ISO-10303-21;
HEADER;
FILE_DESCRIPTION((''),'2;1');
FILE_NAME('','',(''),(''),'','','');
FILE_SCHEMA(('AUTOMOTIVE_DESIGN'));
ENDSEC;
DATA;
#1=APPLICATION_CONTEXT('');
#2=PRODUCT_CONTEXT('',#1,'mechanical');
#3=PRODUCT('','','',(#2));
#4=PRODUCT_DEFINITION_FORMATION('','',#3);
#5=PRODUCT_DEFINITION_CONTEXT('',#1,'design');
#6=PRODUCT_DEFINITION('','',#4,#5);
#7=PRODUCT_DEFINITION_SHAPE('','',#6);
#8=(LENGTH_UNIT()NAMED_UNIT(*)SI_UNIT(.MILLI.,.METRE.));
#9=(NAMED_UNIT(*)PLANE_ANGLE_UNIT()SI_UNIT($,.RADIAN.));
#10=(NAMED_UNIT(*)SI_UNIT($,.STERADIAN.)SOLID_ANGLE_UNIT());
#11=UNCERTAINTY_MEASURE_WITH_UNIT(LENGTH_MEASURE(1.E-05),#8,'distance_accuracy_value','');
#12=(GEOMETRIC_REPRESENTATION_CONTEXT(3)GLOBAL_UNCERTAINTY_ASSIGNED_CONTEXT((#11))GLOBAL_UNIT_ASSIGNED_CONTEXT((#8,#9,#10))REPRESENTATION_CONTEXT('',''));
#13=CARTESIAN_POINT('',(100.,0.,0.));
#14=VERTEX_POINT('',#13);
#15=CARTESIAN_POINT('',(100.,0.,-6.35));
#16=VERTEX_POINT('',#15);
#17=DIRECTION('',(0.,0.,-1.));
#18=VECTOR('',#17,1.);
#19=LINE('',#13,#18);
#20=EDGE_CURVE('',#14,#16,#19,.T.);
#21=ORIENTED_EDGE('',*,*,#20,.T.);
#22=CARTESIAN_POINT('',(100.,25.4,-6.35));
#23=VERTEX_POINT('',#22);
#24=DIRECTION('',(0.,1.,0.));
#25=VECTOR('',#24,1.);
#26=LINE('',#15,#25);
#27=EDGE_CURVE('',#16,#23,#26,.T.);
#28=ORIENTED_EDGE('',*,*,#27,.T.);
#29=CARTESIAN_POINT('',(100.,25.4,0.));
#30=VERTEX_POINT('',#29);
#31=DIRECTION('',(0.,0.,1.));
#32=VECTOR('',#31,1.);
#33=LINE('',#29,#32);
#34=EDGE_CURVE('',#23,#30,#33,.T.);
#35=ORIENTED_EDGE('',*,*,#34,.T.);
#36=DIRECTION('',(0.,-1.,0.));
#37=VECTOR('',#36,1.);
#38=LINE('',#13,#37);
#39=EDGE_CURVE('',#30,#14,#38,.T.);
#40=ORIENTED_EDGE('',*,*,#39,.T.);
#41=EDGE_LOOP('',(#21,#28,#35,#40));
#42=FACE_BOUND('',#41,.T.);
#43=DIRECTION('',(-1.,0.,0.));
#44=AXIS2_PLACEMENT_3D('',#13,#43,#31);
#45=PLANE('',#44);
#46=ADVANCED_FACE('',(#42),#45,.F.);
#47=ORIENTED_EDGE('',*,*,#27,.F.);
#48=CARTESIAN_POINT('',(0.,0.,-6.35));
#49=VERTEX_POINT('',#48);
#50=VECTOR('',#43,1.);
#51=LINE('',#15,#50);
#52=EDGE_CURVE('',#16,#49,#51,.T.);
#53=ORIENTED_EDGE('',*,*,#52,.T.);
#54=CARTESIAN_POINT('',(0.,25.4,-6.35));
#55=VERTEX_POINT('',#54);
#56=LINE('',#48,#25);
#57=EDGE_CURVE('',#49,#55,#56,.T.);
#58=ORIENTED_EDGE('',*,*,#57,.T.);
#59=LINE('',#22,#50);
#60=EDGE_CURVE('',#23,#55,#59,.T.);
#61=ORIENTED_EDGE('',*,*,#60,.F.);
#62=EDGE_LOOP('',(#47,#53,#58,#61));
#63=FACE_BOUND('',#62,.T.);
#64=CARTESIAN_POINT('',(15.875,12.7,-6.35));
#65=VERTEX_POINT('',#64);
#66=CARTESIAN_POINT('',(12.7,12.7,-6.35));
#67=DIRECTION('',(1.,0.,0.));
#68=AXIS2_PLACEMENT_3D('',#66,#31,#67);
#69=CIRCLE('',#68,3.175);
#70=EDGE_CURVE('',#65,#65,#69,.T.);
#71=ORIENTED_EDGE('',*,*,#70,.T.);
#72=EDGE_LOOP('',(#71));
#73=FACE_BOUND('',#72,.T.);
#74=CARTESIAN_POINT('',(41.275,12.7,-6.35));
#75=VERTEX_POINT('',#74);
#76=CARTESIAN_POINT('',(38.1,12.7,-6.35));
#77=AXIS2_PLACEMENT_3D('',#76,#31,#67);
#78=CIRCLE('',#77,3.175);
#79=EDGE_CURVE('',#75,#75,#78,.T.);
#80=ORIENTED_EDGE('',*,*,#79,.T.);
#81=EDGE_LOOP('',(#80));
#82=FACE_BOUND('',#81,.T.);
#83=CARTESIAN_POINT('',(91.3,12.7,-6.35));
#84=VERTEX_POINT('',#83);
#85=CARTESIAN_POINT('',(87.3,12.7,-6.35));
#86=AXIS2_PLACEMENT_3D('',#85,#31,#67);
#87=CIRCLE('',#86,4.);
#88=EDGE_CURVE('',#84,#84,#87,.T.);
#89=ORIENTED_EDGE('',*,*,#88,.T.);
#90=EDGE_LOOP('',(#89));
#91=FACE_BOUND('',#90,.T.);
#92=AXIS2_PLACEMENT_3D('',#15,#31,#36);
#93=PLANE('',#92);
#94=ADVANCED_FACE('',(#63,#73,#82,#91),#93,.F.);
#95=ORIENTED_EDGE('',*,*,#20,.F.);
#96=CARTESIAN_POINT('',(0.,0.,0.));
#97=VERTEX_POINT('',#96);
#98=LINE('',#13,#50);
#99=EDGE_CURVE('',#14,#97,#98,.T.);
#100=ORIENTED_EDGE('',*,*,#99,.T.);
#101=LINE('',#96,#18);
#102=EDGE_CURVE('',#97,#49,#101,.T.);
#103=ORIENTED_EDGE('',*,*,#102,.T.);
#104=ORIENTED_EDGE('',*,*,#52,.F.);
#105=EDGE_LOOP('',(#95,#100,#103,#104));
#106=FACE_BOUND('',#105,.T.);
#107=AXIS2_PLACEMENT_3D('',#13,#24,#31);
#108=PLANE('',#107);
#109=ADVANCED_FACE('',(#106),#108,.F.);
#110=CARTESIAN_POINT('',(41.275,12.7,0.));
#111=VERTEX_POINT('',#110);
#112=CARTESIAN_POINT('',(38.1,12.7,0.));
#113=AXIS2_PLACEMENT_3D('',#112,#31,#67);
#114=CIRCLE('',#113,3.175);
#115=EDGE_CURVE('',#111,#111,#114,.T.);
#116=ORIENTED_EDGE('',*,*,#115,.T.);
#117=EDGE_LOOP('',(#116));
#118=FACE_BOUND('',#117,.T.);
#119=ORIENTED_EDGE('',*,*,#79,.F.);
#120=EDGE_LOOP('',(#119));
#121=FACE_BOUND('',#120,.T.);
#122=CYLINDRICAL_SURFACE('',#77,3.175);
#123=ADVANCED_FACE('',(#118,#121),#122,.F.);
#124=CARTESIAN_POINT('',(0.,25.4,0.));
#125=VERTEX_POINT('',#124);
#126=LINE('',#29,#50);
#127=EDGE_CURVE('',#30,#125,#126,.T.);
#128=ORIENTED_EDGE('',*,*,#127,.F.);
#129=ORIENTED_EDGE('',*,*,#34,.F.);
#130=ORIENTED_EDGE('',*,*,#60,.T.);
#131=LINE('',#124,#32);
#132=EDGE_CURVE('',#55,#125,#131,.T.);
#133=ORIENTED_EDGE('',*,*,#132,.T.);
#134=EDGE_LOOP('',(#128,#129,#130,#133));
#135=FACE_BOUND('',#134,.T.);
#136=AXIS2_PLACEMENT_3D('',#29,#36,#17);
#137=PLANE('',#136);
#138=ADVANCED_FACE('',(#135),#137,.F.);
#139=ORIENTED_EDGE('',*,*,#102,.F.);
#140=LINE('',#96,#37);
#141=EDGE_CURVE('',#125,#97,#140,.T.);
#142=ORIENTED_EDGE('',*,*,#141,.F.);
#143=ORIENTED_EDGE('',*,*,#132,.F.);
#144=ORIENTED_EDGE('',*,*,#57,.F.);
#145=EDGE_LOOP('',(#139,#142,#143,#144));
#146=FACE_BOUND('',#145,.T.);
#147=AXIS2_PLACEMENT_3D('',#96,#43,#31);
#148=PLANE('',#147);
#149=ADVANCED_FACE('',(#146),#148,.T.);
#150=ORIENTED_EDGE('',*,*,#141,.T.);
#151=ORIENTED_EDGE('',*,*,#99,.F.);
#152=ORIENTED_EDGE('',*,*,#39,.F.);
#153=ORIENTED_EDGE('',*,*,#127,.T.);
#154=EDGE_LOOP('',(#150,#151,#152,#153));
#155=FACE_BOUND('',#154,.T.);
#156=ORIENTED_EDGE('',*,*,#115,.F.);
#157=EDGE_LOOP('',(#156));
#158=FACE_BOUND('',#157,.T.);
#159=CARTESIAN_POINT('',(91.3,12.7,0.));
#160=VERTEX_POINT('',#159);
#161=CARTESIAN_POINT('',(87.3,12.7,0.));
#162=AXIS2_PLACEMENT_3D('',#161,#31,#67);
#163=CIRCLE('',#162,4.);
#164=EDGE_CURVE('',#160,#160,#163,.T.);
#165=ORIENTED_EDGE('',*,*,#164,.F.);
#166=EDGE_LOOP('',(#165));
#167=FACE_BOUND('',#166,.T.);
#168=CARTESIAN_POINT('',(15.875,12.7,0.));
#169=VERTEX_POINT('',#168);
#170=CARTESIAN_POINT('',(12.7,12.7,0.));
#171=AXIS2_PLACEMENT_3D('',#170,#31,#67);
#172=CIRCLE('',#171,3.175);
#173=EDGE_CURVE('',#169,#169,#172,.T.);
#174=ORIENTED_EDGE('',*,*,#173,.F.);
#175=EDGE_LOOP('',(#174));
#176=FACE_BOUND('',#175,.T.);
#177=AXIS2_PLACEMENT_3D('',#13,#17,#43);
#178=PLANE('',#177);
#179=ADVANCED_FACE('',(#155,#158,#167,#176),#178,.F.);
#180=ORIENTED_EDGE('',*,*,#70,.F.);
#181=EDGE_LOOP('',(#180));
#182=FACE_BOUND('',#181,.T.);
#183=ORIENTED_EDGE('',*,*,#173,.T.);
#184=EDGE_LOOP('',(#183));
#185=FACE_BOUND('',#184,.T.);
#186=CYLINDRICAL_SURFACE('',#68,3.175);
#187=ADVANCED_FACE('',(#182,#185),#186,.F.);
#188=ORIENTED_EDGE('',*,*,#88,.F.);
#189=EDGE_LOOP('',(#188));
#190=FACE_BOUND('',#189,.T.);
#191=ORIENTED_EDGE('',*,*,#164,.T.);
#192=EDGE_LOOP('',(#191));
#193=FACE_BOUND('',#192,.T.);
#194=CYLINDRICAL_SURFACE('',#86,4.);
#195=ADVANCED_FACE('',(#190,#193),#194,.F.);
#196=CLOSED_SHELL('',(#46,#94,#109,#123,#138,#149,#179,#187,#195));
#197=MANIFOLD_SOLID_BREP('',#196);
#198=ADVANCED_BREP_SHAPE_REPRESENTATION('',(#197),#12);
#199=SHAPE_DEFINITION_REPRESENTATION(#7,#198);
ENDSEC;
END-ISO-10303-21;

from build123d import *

# Parameters (mm, degrees)
SKETCH1_W           = 6.35
SKETCH1_H           = 25.4
BOSS_EXTRUDE1_DEPTH = 100
SKETCH2_R           = 3.175
SKETCH2_R_2         = 4
CUT_EXTRUDE1_DEPTH  = 104.370607525


with BuildPart() as part:
    # Sketch1 → Boss-Extrude1 (new body)
    with BuildSketch(Plane(origin=(0, 0, 0), x_dir=(0, 0, -1), z_dir=(1, 0, 0))):
        with Locations((3.175, 12.7)):
            Rectangle(SKETCH1_W, SKETCH1_H)
    extrude(amount=BOSS_EXTRUDE1_DEPTH)

    # Sketch2 → Cut-Extrude1 (cut, through all)
    with BuildSketch(Plane.XY):
        with Locations((12.7, 12.7)):
            Circle(SKETCH2_R)
        with Locations((38.1, 12.7)):
            Circle(SKETCH2_R)
        with Locations((87.3, 12.7)):
            Circle(SKETCH2_R_2)
    extrude(amount=-CUT_EXTRUDE1_DEPTH, mode=Mode.SUBTRACT)


solid = part.part
